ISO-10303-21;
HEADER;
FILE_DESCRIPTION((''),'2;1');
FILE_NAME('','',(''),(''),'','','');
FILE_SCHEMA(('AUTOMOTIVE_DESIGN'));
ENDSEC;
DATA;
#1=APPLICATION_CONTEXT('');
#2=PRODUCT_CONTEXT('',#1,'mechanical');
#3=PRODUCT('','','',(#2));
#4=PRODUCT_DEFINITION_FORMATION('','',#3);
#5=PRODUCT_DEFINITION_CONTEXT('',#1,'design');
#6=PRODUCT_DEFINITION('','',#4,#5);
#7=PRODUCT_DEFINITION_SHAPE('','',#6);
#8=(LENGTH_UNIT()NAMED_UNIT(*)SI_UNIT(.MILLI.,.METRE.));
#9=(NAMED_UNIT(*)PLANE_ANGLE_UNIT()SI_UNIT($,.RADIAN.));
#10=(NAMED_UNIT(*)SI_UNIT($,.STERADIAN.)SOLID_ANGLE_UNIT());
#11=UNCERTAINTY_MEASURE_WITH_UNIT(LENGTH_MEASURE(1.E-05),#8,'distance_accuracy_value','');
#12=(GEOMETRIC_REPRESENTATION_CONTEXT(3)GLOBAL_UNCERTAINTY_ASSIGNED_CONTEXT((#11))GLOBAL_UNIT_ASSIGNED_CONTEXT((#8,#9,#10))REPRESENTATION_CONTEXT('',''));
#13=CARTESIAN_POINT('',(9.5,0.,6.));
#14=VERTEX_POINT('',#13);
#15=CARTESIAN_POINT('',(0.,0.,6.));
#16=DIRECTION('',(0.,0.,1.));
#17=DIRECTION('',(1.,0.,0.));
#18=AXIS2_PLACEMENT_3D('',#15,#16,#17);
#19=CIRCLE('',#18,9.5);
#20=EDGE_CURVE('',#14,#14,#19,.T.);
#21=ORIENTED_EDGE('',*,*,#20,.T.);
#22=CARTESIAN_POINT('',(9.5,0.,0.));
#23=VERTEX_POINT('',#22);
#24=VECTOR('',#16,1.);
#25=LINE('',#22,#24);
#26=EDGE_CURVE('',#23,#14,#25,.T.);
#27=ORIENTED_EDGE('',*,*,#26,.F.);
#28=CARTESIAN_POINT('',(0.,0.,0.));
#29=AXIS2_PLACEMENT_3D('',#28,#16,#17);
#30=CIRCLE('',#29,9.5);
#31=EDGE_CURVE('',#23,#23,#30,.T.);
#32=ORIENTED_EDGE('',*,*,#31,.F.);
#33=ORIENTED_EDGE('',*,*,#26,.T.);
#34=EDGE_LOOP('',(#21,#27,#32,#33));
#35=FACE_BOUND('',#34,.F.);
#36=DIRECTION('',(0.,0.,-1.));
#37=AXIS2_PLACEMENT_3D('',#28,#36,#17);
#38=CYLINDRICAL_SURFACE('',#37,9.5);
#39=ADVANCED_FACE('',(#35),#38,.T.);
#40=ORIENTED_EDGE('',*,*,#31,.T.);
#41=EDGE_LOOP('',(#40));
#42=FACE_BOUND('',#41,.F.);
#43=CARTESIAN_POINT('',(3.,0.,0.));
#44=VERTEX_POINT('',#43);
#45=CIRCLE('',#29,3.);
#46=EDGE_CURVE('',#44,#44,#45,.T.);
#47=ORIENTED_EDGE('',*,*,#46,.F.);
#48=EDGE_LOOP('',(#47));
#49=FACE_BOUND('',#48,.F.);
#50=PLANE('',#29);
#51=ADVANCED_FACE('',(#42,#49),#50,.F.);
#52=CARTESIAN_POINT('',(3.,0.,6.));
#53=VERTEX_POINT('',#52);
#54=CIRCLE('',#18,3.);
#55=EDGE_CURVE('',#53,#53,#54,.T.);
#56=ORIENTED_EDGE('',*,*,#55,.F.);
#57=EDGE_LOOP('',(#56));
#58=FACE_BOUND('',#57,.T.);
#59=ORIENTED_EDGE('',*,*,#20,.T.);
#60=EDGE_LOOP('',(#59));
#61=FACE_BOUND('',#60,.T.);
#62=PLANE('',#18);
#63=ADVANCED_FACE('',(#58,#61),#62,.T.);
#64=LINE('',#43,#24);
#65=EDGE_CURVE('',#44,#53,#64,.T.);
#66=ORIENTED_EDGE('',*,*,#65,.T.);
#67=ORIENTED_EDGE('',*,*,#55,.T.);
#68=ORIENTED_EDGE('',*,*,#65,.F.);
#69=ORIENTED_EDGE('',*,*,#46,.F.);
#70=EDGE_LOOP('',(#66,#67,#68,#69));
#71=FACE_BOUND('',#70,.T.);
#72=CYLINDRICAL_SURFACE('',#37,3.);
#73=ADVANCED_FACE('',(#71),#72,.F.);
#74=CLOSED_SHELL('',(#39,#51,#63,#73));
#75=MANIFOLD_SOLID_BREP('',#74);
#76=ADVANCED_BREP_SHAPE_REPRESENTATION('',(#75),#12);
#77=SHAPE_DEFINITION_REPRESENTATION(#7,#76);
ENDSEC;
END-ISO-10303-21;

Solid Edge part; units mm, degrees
sketch "Sketch1" plane through (0, 0, 0) normal (0, 0, 1) x (1, 0, 0)
  circle A0 centre (0, 0) radius 3
  circle A1 centre (0, 0) radius 9.5
extrude "Protrusion1" add sketch "Sketch1" along normal blind 6
